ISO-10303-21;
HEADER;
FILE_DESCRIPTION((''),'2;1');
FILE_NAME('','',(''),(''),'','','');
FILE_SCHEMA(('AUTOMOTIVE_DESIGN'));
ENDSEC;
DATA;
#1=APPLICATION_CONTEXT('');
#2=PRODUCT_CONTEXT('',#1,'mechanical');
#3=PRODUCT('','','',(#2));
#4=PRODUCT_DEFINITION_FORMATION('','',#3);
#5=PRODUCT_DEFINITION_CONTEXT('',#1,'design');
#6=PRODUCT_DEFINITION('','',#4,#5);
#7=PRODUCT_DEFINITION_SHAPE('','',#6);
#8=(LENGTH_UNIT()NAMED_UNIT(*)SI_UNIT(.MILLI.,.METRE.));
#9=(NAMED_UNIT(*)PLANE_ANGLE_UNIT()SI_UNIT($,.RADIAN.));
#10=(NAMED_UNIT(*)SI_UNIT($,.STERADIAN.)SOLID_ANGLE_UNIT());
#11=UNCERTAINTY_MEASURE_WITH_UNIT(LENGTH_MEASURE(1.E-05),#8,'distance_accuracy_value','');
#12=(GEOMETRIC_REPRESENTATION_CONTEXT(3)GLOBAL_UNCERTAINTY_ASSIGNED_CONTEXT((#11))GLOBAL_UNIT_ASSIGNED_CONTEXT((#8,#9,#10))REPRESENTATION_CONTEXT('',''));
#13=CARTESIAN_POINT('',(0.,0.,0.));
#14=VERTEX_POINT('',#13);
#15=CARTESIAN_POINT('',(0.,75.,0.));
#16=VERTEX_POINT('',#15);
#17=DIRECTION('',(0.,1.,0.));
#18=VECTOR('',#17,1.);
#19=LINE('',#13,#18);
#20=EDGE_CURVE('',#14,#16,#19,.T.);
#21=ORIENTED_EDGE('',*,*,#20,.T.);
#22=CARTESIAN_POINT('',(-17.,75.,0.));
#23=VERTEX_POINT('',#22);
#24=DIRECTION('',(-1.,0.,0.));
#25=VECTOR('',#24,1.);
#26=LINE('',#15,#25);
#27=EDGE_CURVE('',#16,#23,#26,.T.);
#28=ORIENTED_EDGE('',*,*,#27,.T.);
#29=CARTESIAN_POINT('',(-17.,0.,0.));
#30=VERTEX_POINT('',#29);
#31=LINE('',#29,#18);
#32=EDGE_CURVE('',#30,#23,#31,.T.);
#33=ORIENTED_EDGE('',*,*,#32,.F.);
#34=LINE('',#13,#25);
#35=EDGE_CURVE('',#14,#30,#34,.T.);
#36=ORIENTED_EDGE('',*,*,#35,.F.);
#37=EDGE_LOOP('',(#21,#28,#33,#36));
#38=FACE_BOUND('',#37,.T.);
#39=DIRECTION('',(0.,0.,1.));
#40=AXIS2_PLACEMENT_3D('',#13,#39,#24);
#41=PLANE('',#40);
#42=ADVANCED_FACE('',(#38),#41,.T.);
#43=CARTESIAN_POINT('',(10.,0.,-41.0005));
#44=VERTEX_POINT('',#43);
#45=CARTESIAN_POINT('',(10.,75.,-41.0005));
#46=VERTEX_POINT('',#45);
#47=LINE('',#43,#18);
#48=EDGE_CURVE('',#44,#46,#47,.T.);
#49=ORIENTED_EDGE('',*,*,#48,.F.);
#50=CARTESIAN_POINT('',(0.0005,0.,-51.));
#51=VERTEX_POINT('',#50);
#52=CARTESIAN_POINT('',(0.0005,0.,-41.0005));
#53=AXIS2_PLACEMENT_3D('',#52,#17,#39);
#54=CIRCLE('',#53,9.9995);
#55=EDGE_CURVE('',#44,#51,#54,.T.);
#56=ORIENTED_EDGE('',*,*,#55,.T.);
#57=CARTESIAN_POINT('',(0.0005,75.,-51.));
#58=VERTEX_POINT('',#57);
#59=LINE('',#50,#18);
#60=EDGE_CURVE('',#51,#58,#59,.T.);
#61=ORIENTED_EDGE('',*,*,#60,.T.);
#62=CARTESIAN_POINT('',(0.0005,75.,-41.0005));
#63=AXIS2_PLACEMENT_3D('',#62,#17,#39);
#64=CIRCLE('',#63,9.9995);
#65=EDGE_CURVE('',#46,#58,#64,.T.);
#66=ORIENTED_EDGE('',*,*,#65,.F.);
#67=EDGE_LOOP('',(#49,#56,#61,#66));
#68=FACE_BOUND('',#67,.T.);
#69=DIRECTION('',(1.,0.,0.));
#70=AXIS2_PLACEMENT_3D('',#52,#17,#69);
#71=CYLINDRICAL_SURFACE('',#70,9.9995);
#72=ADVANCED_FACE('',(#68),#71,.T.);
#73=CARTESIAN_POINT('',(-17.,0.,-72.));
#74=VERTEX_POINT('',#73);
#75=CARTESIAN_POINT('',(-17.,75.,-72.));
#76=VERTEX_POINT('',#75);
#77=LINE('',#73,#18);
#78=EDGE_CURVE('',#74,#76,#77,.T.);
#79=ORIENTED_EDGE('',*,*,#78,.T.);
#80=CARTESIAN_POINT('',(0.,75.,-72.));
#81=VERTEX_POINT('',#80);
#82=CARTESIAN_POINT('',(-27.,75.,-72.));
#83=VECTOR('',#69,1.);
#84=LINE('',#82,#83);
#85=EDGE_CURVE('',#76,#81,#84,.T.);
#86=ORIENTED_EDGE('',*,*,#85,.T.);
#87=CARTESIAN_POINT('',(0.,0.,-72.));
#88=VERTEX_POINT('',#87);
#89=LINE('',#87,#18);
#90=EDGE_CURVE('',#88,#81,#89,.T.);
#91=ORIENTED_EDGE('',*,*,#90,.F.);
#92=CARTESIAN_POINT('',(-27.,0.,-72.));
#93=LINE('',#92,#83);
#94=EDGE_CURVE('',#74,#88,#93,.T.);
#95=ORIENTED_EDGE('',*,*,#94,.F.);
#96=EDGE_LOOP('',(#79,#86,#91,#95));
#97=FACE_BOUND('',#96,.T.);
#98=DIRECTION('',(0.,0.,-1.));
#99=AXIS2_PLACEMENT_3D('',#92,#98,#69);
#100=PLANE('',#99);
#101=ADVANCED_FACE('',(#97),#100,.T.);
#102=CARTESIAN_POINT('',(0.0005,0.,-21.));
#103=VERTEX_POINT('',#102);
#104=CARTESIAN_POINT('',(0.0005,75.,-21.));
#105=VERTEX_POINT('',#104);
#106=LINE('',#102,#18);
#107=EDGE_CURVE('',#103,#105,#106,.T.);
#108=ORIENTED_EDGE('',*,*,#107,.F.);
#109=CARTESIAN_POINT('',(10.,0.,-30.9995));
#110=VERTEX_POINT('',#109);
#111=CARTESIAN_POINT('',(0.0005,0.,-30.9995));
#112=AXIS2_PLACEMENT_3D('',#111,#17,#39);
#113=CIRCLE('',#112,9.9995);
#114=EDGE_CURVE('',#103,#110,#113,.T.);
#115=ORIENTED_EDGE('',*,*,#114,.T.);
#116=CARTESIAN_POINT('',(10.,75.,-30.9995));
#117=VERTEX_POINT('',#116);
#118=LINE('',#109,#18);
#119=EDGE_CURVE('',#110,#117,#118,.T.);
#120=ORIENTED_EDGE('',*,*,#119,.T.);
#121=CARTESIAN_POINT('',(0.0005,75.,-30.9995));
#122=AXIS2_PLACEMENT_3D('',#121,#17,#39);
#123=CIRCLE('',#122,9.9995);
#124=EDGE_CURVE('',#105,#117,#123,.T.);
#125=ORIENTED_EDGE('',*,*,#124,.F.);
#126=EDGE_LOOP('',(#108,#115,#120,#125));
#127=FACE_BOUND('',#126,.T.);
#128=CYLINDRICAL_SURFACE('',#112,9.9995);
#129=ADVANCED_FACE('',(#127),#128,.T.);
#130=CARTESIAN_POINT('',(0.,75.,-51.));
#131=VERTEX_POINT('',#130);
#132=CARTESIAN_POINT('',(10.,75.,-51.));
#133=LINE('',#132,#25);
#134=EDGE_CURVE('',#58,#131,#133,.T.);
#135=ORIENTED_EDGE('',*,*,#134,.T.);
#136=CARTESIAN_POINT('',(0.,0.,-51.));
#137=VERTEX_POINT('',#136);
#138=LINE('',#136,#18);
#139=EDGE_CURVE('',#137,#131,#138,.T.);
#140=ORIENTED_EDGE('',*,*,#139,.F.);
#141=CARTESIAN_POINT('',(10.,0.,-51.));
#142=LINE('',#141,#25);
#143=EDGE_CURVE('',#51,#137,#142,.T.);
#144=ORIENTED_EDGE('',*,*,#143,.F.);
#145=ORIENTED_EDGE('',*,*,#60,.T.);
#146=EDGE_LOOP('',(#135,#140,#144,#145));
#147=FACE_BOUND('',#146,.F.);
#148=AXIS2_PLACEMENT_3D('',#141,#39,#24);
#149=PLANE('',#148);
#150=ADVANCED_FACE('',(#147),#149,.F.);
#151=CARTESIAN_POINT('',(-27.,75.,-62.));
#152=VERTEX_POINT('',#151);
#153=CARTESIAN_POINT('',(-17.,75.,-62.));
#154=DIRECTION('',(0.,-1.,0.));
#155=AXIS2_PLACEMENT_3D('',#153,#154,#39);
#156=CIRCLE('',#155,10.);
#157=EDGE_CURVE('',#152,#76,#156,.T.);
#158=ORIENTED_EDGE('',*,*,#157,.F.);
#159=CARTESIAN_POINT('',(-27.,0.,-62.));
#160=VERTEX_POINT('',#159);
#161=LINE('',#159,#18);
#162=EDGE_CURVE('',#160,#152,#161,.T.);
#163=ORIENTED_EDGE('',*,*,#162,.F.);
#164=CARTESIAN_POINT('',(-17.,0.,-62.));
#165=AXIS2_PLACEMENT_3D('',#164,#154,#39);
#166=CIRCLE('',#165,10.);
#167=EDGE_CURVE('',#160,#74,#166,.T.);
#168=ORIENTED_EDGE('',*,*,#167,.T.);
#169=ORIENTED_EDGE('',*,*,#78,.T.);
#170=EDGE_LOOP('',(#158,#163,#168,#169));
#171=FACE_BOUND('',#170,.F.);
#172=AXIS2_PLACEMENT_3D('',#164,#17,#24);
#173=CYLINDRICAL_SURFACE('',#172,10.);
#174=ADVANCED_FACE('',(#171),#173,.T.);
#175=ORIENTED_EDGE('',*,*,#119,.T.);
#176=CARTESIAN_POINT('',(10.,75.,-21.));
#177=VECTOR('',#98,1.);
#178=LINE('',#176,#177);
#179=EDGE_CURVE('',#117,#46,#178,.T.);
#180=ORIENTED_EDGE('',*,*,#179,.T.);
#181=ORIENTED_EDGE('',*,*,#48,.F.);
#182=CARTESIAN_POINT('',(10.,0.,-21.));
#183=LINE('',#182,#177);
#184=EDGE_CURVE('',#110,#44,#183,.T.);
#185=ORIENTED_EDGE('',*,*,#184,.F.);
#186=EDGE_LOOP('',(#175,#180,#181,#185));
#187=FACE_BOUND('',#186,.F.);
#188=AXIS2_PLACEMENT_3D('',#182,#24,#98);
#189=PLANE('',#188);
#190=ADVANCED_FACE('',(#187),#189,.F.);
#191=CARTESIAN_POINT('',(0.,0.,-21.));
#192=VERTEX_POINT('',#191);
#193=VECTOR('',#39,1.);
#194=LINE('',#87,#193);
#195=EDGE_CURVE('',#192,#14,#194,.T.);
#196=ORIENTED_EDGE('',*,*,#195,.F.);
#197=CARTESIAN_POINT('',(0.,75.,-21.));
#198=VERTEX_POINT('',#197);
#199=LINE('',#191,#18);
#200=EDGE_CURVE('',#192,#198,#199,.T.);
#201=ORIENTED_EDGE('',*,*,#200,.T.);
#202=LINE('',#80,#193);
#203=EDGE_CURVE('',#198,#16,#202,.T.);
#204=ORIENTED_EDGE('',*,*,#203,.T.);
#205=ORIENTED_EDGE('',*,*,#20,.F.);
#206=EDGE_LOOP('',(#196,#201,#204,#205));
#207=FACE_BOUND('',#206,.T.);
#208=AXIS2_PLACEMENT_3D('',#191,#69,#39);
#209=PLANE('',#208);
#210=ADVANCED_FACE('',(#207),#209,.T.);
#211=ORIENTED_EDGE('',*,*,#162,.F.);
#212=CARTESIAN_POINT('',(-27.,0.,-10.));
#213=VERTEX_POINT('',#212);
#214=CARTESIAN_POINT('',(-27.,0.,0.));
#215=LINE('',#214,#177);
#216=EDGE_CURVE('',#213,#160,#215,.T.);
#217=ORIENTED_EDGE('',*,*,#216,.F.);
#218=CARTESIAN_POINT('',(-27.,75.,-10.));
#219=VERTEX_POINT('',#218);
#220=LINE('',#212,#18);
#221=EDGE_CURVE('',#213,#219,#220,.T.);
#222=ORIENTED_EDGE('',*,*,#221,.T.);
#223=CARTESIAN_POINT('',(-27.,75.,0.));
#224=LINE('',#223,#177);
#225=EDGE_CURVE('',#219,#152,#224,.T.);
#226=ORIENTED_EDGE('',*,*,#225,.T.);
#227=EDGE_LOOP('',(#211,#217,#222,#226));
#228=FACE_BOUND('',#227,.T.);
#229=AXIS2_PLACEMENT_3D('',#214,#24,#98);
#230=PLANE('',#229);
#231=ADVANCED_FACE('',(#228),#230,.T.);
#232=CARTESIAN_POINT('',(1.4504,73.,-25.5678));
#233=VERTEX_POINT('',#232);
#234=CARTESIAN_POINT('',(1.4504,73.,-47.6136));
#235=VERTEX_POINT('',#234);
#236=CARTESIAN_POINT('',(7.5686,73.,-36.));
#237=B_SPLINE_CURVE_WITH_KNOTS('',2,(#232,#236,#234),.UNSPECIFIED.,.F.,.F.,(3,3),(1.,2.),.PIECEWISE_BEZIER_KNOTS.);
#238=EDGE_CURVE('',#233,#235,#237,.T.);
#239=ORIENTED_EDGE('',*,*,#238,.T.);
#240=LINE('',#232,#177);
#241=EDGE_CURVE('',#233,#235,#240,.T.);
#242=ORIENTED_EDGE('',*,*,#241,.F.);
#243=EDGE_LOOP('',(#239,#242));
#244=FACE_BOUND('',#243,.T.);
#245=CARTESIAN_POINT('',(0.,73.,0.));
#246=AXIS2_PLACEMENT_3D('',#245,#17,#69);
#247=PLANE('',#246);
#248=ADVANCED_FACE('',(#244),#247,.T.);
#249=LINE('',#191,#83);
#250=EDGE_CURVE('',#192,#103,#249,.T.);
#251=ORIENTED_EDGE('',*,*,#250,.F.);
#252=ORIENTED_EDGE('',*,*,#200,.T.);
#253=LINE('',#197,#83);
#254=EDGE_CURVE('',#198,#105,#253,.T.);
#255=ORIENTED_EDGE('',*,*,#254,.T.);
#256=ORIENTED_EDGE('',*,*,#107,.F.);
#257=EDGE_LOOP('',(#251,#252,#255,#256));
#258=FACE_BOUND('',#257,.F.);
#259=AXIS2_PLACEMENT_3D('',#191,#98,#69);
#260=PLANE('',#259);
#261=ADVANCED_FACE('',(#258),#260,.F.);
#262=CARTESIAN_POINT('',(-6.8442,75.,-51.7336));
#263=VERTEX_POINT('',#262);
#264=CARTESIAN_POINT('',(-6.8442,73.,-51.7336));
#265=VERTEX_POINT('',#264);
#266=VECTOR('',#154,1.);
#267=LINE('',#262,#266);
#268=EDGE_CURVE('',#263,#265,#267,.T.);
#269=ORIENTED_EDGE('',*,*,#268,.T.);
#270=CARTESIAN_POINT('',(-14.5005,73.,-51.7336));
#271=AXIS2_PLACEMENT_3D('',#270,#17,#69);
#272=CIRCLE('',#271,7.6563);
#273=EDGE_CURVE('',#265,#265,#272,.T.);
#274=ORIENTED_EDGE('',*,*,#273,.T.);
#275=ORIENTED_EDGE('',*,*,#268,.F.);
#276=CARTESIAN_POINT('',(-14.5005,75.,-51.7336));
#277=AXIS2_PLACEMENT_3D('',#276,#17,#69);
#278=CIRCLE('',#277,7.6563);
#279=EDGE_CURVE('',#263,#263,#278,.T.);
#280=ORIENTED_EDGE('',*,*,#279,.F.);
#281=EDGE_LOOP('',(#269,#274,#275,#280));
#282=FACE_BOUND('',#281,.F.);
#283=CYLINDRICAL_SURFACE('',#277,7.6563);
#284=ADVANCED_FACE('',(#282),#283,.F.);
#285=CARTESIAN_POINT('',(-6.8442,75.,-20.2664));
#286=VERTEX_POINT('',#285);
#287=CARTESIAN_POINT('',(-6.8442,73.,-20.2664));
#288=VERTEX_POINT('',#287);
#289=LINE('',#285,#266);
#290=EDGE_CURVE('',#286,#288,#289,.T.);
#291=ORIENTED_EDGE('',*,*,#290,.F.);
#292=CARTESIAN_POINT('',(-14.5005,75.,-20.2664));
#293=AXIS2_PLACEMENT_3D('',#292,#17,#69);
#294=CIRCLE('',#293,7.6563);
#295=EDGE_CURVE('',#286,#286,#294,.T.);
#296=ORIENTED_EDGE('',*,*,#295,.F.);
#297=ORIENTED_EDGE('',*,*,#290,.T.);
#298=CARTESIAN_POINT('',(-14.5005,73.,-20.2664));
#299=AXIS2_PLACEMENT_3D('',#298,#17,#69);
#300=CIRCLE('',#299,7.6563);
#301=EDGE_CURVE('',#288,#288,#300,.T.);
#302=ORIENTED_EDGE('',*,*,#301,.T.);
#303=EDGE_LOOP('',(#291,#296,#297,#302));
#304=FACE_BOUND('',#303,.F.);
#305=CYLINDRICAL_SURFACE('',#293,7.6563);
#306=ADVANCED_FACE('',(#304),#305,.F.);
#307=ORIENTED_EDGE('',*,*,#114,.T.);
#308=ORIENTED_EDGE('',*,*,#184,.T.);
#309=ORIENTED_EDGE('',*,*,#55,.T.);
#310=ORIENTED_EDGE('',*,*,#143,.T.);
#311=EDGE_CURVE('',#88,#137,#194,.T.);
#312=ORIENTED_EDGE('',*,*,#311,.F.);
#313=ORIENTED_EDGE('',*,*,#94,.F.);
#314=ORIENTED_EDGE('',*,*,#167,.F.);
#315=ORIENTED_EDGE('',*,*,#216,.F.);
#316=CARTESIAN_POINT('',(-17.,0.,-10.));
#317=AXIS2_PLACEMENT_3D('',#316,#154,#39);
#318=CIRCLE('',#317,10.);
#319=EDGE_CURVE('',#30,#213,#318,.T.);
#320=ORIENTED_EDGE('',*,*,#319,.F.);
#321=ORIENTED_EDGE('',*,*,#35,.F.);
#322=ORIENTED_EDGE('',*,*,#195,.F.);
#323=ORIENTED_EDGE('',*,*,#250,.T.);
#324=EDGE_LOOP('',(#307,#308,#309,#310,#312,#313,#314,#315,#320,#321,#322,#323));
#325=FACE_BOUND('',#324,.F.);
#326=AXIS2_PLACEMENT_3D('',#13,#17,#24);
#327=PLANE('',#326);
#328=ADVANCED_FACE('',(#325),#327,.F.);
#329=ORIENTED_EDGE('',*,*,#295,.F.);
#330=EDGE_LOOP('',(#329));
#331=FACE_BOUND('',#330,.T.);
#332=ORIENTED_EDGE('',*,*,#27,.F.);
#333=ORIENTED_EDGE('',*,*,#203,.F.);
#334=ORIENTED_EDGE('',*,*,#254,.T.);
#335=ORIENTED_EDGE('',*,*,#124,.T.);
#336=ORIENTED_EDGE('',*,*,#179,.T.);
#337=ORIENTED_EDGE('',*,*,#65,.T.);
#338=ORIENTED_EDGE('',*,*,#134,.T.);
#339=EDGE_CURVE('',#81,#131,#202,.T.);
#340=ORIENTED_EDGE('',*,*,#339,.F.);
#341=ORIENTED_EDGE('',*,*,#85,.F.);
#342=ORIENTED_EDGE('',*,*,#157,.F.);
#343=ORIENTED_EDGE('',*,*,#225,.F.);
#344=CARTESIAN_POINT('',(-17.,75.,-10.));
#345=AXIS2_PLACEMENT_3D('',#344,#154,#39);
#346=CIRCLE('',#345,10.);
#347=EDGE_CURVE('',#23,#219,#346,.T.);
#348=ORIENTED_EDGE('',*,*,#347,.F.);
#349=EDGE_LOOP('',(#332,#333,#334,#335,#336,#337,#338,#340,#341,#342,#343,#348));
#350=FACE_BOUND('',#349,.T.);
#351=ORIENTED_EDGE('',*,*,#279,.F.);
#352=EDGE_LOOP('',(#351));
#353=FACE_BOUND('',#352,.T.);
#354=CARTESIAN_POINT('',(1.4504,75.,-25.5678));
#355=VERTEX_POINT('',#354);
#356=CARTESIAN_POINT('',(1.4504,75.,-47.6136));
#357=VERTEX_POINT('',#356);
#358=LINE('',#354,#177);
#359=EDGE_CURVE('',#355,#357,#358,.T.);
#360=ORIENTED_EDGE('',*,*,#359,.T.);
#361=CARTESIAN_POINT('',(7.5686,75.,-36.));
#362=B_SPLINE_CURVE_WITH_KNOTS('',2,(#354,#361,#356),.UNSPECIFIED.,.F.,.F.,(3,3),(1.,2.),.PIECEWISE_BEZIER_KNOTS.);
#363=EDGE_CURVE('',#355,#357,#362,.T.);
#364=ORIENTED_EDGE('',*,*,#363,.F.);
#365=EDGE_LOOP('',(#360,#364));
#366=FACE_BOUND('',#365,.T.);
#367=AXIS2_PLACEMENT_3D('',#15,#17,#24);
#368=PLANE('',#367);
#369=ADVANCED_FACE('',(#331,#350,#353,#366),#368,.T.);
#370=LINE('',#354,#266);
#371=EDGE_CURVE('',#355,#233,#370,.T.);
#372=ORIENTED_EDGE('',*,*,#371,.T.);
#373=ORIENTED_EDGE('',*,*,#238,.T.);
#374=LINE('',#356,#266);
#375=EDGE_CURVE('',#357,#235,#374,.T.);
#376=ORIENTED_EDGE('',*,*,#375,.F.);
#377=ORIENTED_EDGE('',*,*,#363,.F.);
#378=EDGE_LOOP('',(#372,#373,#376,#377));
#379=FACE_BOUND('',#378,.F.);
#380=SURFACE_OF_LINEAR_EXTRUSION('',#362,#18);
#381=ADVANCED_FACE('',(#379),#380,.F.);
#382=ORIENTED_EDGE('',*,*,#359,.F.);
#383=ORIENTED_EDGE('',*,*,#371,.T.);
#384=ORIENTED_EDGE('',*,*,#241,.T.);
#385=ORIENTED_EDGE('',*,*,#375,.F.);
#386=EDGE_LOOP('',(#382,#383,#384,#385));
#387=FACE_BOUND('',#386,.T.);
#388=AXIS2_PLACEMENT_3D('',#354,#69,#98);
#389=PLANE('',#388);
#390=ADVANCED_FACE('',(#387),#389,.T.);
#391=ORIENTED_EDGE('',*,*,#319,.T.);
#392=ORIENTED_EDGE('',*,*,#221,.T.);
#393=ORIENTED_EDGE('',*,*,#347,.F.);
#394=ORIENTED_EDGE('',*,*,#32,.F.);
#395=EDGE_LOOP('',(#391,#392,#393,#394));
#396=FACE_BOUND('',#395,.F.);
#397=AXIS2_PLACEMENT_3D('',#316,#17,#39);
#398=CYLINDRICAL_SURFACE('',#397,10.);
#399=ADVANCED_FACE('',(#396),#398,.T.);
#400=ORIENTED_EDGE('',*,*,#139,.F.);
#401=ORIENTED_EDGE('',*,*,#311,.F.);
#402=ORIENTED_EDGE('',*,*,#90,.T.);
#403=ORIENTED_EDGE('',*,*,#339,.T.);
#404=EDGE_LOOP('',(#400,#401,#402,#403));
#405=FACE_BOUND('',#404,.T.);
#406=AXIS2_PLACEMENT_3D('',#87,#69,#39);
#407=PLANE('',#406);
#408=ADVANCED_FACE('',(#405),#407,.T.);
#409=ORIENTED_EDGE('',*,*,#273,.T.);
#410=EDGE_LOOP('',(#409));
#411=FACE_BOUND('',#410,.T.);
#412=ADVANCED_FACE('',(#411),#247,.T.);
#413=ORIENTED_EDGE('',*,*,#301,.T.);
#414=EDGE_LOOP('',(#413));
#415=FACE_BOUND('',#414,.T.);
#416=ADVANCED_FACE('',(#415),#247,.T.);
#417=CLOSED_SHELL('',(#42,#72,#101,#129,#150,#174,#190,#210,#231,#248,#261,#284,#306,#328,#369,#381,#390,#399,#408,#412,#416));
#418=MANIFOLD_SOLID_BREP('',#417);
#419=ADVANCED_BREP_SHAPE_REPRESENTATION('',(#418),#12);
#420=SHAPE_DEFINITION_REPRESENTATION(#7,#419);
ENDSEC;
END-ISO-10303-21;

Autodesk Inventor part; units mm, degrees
ref_plane "YZ Plane" through (0, 0, 0) normal (1, 0, 0) x (0, 1, 0)
ref_plane "XZ Plane" through (0, 0, 0) normal (0, 1, 0) x (-1, 0, 0)
ref_plane "XY Plane" through (0, 0, 0) normal (0, 0, 1) x (1, 0, 0)
sketch "Esquisse1" plane through (0, 0, 0) normal (0, 1, 0) x (-1, 0, 0)
  line L0 (0, 0) -> (27, 0)
  line L1 (27, 0) -> (27, -72)
  line L2 (27, -72) -> (0, -72)
  line L3 (0, -72) -> (0, 0)
  line L4 (0, -21) -> (-10, -21)
  line L5 (-10, -21) -> (-10, -51)
  line L6 (-10, -51) -> (0, -51)
  line L7 (0, -51) -> (0, -21)
  point P0 (0, -36)
  dimension "d0" = 27
  dimension "d1" = 72
  dimension "d2" = 30
  dimension "d3" = 10
extrude "Extrusion1" add sketch "Esquisse1" along normal blind 75
sketch "Esquisse2" plane through (0, 75, 0) normal (0, 1, 0) x (1, 0, 0)
  line L0 (0, 21) -> (10, 21) construction
  line L1 (10, 21) -> (10, 51) construction
  line L2 (10, 51) -> (0, 51) construction
  line L3 (0, 51) -> (0, 72) construction
  line L4 (0, 72) -> (-27, 72) construction
  line L5 (-27, 72) -> (-27, 0) construction
  line L6 (-27, 0) -> (0, 0) construction
  line L7 (0, 0) -> (0, 21) construction
  line L8 (-27, 72) -> (-27, 0) construction
  line L9 (-27, 72) -> (-27, 0) construction
  line L10 (-27, 36) -> (10, 36) construction
  circle A0 centre (-14.5005, 20.2664) radius 7.6563
  circle A1 centre (-14.5005, 51.7336) radius 7.6563
  line L11 (1.4504, 25.5678) -> (1.4504, 47.6136)
  line L12 (1.4504, 25.5678) -> (7.5686, 36) construction
  line L13 (7.5686, 36) -> (1.4504, 47.6136) construction
  spline S0 degree 2 poles (1.4504, 25.5678) (7.5686, 36) (1.4504, 47.6136) knots 1 1 1 2 2 2
  dimension "d28" = 15.3126
extrude "Extrusion2" cut sketch "Esquisse2" against normal blind 2
fillet "Congé1" radius 10 2 edges at (-27, 37.5, -72) (-27, 37.5, 0)
fillet "Congé2" radius 10 2 edges at (10, 37.5, -51) (10, 37.5, -21)
ref_plane "Plan de construction1" through (0, 60, 0) normal (0, 1, 0) x (1, 0, 0)
sketch "Esquisse3" plane through (0, 0, -72) normal (0, 0, -1) x (-1, 0, 0)
  point P0 (0, 0)
sketch "Esquisse4" plane through (0, 60, 0) normal (0, 1, 0) x (1, 0, 0)
  arc A0 (0, 21) -> (10, 31) centre (0, 31) ccw projected
  line L0 (10, 31) -> (10, 41) projected
  arc A1 (10, 41) -> (0, 51) centre (0, 41) ccw projected
  line L1 (0, 51) -> (0, 72) projected
  line L2 (0, 72) -> (-17, 72) projected
  arc A2 (-17, 72) -> (-27, 62) centre (-17, 62) ccw projected
  line L3 (-27, 62) -> (-27, 10) projected
  arc A3 (-27, 10) -> (-17, 0) centre (-17, 10) ccw projected
  line L4 (-17, 0) -> (0, 0) projected
  line L5 (0, 0) -> (0, 21) projected
  circle A4 centre (-14.5005, 20.2664) radius 7.6563 projected
  line L6 (1.4504, 25.5678) -> (1.4504, 47.6136) projected
  circle A5 centre (-14.5005, 51.7336) radius 7.6563 projected
  line L7 (0, 72) -> (-17, 72) projected
  line L8 (-14.5005, 72) -> (-37.6894, 78.8251)
  line L9 (-37.6894, 78.8251) -> (-26.0949, 60.5542)
  line L10 (-26.0949, 60.5542) -> (-14.5005, 72)
ref_plane "Plan de construction2" through (0, 0, -36) normal (0, 0, -1) x (-1, 0, 0)
properties part number "head2"
